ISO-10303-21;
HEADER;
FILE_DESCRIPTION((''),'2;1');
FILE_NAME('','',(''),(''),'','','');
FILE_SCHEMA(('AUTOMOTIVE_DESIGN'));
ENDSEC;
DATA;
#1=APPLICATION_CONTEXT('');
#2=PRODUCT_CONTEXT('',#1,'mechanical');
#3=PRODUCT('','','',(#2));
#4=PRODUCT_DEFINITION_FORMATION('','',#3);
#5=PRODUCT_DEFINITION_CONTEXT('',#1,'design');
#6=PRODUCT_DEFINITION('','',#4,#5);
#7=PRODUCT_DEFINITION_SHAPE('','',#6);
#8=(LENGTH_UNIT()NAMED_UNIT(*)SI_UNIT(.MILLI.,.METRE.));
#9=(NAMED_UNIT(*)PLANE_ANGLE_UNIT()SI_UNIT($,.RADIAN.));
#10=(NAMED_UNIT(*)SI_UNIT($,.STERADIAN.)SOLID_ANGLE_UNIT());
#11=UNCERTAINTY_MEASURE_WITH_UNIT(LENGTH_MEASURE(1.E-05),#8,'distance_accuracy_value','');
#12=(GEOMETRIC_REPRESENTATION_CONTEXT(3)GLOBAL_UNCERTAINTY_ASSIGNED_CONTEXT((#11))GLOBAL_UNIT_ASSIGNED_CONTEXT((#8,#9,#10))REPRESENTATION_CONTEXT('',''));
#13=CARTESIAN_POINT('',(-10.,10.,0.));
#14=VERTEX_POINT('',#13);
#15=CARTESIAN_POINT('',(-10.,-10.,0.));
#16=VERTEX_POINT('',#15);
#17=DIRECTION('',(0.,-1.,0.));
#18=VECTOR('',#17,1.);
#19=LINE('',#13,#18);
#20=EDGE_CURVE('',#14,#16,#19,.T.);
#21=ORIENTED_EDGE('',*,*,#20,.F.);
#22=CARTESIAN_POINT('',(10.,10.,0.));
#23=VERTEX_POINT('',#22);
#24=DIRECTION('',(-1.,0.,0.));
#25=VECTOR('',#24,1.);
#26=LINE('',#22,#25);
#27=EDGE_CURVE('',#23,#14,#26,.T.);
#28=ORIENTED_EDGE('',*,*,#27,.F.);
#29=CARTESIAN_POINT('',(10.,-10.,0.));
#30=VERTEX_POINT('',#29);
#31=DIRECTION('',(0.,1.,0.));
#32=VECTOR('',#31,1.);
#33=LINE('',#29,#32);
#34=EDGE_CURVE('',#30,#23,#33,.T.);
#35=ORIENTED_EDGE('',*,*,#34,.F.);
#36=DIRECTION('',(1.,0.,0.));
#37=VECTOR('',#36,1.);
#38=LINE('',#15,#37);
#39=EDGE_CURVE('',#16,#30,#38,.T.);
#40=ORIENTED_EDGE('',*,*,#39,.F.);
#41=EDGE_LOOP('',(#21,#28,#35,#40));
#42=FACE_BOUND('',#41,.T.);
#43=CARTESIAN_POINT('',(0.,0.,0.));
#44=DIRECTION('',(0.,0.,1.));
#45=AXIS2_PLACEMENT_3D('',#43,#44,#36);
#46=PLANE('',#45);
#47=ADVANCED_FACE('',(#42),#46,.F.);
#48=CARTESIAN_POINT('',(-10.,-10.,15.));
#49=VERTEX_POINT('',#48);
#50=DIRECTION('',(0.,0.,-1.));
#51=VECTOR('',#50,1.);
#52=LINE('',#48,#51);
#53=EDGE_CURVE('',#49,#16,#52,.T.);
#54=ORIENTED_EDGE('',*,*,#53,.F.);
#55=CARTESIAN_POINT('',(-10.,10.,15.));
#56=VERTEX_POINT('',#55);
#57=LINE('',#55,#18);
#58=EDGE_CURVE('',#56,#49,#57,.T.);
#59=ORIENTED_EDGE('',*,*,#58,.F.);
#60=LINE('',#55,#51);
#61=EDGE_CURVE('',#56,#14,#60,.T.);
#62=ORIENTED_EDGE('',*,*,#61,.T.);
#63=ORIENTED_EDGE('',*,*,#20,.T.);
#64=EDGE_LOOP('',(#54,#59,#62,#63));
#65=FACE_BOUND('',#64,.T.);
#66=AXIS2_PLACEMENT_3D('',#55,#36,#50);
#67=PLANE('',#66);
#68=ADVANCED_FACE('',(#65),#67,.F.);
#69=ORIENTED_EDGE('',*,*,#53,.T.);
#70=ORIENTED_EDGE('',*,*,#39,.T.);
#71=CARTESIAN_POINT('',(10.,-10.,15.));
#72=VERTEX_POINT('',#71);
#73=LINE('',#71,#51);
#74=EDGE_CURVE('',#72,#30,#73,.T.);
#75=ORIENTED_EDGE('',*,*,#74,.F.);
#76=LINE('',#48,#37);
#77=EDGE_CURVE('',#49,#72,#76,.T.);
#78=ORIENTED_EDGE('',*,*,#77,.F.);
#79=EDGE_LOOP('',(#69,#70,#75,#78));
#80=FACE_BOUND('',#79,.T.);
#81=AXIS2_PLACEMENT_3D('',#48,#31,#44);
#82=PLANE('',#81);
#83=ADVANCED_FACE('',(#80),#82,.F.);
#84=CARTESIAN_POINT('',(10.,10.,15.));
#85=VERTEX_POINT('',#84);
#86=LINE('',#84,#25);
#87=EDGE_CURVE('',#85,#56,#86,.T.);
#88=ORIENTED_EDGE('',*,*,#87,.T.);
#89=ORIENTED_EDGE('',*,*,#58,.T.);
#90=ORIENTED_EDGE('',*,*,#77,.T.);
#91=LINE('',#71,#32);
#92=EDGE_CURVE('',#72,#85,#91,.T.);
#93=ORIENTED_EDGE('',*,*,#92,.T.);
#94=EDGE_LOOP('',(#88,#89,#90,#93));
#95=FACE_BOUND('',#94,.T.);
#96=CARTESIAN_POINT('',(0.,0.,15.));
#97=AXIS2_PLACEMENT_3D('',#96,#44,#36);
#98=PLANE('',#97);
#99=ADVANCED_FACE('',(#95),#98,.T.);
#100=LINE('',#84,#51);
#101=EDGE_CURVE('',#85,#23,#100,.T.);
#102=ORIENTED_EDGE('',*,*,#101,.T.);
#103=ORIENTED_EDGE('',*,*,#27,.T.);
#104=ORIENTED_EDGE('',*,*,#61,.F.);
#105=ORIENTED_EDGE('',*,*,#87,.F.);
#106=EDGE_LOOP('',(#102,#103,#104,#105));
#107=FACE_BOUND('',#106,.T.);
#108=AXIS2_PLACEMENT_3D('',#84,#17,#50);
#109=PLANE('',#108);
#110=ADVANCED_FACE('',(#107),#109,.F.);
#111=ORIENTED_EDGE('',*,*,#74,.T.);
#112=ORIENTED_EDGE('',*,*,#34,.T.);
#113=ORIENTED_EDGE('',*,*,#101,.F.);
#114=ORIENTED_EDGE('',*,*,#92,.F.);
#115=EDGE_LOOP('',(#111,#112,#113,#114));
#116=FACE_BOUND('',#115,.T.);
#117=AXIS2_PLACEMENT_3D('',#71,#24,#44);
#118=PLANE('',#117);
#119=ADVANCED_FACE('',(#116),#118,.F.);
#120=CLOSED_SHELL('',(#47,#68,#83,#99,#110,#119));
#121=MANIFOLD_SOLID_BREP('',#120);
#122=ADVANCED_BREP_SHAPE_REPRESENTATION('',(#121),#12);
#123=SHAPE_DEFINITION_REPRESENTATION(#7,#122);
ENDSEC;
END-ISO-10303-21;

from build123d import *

# Parameters (mm, degrees)
SKETCH1_W           = 20
SKETCH1_H           = 20
BOSS_EXTRUDE1_DEPTH = 15


with BuildPart() as part:
    # Sketch1 → Boss-Extrude1 (new body)
    with BuildSketch(Plane.XY):
        Rectangle(SKETCH1_W, SKETCH1_H)
    extrude(amount=BOSS_EXTRUDE1_DEPTH)


solid = part.part
